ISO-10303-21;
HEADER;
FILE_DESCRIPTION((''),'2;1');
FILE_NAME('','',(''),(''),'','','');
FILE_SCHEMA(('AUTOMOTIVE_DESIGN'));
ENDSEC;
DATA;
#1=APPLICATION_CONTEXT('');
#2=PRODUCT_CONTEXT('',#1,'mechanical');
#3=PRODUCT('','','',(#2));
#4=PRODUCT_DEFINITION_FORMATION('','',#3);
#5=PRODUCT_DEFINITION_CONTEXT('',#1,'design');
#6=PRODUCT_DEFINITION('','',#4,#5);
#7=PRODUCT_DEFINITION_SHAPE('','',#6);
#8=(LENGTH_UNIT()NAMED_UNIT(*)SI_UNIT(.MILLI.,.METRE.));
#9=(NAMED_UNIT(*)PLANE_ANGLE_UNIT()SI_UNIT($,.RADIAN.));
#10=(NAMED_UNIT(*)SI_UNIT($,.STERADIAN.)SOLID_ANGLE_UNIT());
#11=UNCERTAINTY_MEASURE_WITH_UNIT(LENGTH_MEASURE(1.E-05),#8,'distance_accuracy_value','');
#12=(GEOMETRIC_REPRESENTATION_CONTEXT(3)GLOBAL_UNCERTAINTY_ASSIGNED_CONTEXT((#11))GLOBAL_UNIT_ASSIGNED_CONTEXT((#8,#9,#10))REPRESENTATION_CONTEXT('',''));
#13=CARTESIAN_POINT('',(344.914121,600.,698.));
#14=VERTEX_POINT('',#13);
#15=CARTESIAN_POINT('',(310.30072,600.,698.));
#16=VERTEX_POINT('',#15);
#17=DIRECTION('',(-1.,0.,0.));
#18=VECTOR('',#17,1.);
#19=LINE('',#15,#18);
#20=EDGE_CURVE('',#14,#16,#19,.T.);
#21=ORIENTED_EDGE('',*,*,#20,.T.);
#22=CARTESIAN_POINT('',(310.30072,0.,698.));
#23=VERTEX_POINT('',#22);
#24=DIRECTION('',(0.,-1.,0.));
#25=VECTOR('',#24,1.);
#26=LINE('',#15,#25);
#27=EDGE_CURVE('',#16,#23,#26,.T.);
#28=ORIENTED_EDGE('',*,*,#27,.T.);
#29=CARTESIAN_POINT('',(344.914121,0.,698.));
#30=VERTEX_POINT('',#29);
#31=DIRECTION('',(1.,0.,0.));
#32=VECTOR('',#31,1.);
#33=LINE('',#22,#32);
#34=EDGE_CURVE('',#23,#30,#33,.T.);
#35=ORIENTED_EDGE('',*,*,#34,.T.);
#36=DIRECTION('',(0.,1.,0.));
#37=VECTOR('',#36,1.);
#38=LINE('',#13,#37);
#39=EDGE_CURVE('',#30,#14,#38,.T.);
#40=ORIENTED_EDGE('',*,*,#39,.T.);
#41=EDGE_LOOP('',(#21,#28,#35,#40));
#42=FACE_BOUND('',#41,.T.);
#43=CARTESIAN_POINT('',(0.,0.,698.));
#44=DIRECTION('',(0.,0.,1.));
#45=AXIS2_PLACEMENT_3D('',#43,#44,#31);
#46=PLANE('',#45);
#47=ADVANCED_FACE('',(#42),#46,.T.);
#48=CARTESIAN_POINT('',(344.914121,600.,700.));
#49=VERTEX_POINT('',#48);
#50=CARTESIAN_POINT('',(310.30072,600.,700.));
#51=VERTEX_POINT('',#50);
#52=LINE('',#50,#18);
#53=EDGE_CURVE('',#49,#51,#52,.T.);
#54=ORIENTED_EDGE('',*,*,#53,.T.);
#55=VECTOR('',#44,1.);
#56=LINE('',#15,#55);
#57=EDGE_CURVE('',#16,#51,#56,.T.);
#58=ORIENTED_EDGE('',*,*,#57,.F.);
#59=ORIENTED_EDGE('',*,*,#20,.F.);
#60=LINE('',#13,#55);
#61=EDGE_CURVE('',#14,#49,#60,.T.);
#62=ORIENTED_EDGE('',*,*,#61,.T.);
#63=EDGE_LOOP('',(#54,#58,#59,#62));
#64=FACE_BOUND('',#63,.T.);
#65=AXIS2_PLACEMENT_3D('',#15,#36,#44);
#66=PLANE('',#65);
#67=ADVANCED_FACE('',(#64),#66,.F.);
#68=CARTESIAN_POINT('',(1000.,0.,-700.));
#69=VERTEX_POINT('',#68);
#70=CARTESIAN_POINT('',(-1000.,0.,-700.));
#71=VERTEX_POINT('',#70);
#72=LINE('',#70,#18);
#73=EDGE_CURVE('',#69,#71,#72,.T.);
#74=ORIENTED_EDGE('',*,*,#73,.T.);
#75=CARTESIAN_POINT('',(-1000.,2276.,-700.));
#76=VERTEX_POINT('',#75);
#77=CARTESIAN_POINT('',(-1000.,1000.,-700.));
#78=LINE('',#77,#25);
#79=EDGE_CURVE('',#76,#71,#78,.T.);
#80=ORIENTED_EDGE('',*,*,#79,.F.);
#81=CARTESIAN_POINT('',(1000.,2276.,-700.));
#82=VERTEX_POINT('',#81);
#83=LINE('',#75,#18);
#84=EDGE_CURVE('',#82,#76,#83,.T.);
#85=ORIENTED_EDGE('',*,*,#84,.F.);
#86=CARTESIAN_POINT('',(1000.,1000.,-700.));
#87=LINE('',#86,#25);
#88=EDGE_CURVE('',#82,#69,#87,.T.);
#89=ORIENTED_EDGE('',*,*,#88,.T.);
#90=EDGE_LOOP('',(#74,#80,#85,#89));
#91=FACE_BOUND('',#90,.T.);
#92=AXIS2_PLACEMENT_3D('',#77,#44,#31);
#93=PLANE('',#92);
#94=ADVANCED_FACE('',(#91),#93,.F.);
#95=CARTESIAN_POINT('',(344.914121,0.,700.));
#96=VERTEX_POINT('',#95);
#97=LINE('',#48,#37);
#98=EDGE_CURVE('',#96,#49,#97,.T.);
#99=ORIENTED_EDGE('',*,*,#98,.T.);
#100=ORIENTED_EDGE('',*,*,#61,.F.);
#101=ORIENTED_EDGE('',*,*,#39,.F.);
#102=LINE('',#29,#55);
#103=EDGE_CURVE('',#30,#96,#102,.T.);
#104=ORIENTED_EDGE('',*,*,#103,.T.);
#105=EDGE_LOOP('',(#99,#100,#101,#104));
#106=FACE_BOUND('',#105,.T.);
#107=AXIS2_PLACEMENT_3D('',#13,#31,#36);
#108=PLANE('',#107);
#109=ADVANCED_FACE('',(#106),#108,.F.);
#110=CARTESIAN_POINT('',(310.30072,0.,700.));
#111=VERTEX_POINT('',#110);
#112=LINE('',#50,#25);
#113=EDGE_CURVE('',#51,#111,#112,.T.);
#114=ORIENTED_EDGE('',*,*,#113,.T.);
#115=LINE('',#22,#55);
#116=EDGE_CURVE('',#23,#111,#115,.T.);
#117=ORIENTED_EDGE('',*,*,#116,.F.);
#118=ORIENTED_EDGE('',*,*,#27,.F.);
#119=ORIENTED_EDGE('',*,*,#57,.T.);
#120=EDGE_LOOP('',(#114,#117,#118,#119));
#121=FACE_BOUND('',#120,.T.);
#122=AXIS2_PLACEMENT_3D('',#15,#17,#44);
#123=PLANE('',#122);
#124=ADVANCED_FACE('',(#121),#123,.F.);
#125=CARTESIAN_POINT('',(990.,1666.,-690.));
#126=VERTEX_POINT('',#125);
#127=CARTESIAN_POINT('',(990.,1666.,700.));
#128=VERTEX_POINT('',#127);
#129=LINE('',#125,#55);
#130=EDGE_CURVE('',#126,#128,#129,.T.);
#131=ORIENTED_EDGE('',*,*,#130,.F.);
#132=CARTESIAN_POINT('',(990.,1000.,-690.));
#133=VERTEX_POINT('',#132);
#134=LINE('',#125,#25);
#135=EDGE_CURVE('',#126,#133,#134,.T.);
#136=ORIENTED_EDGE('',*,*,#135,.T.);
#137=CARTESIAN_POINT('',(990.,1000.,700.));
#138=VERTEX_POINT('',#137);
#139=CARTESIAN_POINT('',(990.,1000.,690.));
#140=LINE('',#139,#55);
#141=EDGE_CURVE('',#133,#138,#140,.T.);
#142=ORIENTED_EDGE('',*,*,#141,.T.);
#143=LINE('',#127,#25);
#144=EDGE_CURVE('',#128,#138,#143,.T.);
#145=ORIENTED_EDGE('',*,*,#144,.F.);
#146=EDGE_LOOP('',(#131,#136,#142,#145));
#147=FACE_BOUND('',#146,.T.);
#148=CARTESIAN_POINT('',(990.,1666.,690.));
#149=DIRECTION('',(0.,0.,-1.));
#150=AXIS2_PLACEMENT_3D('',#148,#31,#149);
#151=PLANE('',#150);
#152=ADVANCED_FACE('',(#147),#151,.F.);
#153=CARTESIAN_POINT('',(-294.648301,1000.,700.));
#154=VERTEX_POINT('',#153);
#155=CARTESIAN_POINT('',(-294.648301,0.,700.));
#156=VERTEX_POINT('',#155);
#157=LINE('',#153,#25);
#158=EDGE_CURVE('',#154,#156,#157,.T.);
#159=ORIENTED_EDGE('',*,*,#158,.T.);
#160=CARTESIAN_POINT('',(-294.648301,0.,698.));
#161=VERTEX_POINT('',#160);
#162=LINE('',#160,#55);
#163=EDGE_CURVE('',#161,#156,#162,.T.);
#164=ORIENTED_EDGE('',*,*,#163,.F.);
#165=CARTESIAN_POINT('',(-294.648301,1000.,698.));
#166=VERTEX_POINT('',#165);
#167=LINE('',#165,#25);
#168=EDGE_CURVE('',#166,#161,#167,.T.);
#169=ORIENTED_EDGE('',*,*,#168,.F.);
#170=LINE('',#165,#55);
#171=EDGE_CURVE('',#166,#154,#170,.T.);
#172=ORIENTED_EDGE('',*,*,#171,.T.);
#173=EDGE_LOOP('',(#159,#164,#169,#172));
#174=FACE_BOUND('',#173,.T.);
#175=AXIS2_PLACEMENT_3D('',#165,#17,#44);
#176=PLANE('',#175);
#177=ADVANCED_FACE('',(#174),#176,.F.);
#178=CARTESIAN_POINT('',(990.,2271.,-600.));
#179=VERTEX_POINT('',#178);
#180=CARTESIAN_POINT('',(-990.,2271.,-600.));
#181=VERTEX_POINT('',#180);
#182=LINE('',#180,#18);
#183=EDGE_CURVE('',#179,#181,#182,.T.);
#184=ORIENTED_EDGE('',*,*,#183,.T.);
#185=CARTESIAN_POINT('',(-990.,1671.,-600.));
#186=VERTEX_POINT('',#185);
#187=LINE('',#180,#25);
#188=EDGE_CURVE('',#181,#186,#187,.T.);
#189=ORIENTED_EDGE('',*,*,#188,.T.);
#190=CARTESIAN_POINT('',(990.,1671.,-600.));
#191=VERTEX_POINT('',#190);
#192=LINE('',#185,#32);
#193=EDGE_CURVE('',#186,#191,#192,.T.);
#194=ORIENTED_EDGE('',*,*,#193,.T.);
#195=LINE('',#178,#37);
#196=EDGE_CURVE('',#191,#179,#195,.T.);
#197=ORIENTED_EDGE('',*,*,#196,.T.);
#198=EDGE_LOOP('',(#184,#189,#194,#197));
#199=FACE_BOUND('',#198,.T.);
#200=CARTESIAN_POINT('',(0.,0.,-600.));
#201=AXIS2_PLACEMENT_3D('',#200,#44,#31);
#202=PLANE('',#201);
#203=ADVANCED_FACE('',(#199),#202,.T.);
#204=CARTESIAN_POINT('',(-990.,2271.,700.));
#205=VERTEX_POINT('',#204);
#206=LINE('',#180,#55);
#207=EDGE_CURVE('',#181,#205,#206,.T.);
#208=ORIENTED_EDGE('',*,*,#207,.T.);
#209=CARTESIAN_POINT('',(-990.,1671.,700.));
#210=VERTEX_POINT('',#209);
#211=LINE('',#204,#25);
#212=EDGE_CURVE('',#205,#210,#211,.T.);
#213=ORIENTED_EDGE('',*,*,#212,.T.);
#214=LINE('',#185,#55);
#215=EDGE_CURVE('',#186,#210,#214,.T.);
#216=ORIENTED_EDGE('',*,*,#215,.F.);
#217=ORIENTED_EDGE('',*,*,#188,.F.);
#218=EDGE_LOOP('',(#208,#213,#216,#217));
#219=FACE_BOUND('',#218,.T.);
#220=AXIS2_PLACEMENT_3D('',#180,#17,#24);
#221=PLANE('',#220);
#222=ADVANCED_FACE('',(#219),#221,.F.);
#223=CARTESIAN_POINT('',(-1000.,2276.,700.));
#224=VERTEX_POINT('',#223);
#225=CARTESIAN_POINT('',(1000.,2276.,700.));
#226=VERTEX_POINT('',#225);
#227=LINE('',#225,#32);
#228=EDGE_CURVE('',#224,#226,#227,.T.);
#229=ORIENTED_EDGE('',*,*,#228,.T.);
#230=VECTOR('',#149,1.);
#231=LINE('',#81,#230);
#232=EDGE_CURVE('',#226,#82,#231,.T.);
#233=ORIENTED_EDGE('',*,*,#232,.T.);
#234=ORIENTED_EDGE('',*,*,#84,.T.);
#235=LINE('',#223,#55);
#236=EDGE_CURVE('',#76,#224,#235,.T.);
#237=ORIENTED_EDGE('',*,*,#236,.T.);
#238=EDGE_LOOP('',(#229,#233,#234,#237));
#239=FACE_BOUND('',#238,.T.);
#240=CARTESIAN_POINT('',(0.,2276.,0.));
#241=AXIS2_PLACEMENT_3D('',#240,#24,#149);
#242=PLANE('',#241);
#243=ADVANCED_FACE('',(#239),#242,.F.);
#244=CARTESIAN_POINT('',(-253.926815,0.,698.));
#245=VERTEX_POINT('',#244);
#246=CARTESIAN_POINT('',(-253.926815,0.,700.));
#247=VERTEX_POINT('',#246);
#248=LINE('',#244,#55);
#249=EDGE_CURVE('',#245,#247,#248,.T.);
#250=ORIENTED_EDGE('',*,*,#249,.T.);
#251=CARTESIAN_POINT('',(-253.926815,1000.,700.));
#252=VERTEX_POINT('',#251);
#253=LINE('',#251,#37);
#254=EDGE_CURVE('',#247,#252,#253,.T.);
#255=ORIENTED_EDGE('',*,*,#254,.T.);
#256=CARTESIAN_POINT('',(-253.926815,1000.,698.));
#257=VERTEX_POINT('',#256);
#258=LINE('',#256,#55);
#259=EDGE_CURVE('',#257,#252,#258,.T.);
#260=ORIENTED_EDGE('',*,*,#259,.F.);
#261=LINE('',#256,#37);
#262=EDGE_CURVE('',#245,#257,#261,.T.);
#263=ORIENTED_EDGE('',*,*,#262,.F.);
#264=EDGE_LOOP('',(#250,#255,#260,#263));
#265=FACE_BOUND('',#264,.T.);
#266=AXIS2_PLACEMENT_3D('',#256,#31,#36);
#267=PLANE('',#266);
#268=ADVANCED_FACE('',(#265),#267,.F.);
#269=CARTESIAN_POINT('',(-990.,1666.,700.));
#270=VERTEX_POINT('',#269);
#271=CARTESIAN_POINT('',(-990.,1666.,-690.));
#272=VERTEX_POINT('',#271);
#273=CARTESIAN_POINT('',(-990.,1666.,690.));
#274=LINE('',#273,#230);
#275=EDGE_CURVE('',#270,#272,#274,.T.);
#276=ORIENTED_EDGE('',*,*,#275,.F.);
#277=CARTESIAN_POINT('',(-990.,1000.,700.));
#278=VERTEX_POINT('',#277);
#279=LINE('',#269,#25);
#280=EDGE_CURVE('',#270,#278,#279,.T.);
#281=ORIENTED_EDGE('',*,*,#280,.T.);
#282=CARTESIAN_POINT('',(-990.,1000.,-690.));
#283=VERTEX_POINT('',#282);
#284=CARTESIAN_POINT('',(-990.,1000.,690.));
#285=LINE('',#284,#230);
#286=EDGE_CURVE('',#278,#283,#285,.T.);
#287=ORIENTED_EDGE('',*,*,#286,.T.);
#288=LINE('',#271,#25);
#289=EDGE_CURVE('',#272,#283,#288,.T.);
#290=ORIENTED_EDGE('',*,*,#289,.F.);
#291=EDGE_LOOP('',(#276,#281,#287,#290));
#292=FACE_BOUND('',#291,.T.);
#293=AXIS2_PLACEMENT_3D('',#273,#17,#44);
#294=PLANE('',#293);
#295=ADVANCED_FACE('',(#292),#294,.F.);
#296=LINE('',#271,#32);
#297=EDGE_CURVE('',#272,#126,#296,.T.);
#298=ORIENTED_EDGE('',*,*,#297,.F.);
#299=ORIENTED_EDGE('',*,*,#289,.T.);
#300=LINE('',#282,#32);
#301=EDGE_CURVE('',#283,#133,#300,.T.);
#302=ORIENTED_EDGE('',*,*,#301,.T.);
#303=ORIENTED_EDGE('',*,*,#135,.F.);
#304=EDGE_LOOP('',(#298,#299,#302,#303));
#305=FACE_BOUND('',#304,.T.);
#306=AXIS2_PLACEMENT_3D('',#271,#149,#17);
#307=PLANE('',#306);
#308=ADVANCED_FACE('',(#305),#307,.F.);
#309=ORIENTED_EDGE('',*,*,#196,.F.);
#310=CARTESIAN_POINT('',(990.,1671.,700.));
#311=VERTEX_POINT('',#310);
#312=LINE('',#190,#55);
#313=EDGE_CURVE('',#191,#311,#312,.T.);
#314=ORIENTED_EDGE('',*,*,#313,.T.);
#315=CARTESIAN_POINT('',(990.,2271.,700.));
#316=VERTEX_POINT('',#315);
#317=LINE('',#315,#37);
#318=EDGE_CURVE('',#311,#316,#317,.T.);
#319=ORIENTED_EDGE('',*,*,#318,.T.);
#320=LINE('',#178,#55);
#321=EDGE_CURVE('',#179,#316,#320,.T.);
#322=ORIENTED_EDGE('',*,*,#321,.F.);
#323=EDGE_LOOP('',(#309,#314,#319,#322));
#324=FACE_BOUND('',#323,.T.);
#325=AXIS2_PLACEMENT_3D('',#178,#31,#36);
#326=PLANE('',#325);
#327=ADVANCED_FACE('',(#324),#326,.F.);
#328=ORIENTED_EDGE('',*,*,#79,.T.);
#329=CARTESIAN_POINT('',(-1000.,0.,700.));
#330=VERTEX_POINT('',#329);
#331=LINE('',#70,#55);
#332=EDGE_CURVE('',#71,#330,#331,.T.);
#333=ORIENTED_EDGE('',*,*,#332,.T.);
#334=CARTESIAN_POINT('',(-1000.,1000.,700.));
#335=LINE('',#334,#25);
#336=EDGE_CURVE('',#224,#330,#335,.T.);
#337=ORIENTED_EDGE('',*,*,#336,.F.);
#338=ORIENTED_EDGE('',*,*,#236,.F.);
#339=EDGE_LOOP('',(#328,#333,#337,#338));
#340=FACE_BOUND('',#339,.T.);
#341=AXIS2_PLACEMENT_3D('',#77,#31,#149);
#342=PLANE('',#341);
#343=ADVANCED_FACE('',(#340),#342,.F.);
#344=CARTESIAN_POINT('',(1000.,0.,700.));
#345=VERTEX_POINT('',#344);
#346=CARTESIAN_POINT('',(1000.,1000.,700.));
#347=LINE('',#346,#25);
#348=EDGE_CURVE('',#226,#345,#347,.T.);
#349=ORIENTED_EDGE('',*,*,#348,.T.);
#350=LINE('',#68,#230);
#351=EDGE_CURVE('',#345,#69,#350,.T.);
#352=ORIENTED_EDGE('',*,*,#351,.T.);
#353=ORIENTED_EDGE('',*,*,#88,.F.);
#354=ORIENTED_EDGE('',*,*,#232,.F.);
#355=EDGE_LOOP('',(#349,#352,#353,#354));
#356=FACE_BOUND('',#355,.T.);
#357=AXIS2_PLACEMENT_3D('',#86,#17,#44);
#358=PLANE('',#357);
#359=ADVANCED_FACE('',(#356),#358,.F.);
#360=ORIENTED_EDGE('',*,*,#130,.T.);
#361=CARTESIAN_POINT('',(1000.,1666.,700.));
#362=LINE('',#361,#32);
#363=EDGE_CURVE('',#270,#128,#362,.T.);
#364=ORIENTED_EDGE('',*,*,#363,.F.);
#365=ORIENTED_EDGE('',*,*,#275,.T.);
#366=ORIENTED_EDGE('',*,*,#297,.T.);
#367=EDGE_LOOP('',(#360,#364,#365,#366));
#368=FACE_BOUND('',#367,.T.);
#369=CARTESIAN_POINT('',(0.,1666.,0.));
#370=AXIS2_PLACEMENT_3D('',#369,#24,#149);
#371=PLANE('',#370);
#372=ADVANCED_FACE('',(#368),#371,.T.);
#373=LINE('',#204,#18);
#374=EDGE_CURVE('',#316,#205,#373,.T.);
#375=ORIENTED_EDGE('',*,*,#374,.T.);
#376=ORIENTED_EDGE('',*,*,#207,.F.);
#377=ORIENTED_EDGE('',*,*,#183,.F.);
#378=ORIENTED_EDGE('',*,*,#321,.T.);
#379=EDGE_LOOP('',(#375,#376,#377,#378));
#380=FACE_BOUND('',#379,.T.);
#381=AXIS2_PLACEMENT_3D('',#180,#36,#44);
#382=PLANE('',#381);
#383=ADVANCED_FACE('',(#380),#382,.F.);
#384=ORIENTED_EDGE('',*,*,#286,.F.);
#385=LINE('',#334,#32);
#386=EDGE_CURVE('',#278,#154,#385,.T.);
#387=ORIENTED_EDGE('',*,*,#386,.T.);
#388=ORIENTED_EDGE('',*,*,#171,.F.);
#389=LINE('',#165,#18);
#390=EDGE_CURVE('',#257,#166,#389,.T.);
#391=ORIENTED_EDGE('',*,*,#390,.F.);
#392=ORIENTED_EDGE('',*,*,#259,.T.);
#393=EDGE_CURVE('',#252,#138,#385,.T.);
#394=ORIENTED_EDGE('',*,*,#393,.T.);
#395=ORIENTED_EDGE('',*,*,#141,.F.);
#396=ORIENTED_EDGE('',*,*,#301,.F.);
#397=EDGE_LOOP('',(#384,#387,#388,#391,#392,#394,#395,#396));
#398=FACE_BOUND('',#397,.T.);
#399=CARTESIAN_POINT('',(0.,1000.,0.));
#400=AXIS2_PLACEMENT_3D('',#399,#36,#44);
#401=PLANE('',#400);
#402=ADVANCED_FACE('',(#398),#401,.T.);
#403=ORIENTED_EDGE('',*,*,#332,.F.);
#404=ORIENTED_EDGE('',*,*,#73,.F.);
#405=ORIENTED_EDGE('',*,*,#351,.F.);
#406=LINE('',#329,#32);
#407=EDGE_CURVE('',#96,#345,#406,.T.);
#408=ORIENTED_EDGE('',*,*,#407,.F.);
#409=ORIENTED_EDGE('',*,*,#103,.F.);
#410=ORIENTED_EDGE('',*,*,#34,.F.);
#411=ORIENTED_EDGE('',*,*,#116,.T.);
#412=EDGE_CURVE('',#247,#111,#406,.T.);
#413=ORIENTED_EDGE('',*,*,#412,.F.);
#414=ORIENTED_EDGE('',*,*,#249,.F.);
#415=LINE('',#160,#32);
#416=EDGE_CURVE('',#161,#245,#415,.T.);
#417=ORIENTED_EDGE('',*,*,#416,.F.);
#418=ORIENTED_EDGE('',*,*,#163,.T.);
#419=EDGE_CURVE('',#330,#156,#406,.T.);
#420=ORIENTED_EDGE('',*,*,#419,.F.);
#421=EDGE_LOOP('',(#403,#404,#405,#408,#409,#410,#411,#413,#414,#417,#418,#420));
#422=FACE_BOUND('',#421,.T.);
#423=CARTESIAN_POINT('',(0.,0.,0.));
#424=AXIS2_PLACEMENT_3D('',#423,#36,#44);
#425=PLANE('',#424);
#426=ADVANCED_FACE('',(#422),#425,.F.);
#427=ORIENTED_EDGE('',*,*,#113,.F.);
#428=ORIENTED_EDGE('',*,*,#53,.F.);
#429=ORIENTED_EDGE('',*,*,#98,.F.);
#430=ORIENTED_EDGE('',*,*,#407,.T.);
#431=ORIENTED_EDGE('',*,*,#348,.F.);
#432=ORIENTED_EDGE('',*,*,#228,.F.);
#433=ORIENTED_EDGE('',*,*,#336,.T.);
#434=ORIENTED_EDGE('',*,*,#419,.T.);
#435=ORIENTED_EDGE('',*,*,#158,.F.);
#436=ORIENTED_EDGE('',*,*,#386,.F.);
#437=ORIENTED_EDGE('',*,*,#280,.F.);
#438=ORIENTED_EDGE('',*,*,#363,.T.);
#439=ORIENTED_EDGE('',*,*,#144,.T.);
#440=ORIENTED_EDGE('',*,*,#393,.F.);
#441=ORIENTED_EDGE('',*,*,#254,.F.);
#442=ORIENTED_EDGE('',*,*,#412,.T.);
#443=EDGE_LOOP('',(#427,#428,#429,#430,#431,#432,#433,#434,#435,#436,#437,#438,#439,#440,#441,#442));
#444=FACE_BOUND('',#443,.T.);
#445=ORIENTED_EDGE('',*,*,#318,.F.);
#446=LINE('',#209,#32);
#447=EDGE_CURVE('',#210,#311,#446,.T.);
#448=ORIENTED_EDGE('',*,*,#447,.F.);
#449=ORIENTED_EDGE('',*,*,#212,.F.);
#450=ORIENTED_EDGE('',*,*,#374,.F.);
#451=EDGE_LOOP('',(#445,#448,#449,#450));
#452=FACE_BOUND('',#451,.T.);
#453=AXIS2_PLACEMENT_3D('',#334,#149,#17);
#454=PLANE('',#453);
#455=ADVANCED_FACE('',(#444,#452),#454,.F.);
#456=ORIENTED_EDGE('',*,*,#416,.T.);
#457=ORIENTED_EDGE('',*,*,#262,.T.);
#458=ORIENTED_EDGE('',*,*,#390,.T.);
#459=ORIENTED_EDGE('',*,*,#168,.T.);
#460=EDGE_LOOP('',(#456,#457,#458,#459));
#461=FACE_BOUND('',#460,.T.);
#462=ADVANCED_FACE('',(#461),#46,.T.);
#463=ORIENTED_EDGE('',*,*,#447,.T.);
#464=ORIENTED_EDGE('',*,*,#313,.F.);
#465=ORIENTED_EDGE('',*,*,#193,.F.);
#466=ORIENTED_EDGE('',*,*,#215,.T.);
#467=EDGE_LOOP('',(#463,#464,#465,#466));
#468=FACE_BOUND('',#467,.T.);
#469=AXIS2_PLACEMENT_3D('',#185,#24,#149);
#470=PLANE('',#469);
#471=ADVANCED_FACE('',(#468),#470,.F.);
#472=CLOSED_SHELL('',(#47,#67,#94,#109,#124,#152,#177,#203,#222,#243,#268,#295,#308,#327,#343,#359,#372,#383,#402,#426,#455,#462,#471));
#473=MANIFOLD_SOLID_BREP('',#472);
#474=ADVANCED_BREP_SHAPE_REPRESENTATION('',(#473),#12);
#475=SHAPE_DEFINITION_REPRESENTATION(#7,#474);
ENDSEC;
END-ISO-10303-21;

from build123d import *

# Parameters (mm, degrees)
CROQUIS1_W              = 2000
CROQUIS1_H              = 1400
SALIENTE_EXTRUIR1_DEPTH = 1000
CROQUIS2_W              = 40.721486725
CROQUIS2_H              = 1000
CROQUIS2_W_2            = 34.613400616
CROQUIS2_H_2            = 600
CORTAR_EXTRUIR1_DEPTH   = 2
SALIENTE_EXTRUIR2_DEPTH = 666
CROQUIS6_W              = 2000
CROQUIS6_H              = 1400
SALIENTE_EXTRUIR3_DEPTH = 610
CROQUIS7_W              = 1980
CROQUIS7_H              = 600
CORTAR_EXTRUIR4_DEPTH   = 1300


with BuildPart() as part:
    # Croquis1 → Saliente-Extruir1 (new body)
    with BuildSketch(Plane(origin=(0, 0, 0), x_dir=(1, 0, 0), z_dir=(0, 1, 0))):
        Rectangle(CROQUIS1_W, CROQUIS1_H)
    extrude(amount=SALIENTE_EXTRUIR1_DEPTH)

    # Croquis2 → Cortar-Extruir1 (cut)
    with BuildSketch(Plane.XY.offset(700)):
        with Locations((-274.287558023, 500)):
            Rectangle(CROQUIS2_W, CROQUIS2_H)
        with Locations((327.607420408, 300)):
            Rectangle(CROQUIS2_W_2, CROQUIS2_H_2)
    extrude(amount=-CORTAR_EXTRUIR1_DEPTH, mode=Mode.SUBTRACT)

    # Croquis5 → Saliente-Extruir2 (add)
    with BuildSketch(Plane(origin=(0, 1000, 0), x_dir=(1, 0, 0), z_dir=(0, 1, 0))):
        Polygon((1000, -700), (990, -700), (990, -690), (990, 690), (-990, 690), (-990, -690), (-990, -700), (-1000, -700), (-1000, 700), (1000, 700), align=None)
    extrude(amount=SALIENTE_EXTRUIR2_DEPTH)

    # Croquis6 → Saliente-Extruir3 (add)
    with BuildSketch(Plane(origin=(0, 1666, 0), x_dir=(1, 0, 0), z_dir=(0, 1, 0))):
        Rectangle(CROQUIS6_W, CROQUIS6_H)
    extrude(amount=SALIENTE_EXTRUIR3_DEPTH)

    # Croquis7 → Cortar-Extruir4 (cut)
    with BuildSketch(Plane.XY.offset(700)):
        with Locations((0, 1971)):
            Rectangle(CROQUIS7_W, CROQUIS7_H)
    extrude(amount=-CORTAR_EXTRUIR4_DEPTH, mode=Mode.SUBTRACT)


solid = part.part
